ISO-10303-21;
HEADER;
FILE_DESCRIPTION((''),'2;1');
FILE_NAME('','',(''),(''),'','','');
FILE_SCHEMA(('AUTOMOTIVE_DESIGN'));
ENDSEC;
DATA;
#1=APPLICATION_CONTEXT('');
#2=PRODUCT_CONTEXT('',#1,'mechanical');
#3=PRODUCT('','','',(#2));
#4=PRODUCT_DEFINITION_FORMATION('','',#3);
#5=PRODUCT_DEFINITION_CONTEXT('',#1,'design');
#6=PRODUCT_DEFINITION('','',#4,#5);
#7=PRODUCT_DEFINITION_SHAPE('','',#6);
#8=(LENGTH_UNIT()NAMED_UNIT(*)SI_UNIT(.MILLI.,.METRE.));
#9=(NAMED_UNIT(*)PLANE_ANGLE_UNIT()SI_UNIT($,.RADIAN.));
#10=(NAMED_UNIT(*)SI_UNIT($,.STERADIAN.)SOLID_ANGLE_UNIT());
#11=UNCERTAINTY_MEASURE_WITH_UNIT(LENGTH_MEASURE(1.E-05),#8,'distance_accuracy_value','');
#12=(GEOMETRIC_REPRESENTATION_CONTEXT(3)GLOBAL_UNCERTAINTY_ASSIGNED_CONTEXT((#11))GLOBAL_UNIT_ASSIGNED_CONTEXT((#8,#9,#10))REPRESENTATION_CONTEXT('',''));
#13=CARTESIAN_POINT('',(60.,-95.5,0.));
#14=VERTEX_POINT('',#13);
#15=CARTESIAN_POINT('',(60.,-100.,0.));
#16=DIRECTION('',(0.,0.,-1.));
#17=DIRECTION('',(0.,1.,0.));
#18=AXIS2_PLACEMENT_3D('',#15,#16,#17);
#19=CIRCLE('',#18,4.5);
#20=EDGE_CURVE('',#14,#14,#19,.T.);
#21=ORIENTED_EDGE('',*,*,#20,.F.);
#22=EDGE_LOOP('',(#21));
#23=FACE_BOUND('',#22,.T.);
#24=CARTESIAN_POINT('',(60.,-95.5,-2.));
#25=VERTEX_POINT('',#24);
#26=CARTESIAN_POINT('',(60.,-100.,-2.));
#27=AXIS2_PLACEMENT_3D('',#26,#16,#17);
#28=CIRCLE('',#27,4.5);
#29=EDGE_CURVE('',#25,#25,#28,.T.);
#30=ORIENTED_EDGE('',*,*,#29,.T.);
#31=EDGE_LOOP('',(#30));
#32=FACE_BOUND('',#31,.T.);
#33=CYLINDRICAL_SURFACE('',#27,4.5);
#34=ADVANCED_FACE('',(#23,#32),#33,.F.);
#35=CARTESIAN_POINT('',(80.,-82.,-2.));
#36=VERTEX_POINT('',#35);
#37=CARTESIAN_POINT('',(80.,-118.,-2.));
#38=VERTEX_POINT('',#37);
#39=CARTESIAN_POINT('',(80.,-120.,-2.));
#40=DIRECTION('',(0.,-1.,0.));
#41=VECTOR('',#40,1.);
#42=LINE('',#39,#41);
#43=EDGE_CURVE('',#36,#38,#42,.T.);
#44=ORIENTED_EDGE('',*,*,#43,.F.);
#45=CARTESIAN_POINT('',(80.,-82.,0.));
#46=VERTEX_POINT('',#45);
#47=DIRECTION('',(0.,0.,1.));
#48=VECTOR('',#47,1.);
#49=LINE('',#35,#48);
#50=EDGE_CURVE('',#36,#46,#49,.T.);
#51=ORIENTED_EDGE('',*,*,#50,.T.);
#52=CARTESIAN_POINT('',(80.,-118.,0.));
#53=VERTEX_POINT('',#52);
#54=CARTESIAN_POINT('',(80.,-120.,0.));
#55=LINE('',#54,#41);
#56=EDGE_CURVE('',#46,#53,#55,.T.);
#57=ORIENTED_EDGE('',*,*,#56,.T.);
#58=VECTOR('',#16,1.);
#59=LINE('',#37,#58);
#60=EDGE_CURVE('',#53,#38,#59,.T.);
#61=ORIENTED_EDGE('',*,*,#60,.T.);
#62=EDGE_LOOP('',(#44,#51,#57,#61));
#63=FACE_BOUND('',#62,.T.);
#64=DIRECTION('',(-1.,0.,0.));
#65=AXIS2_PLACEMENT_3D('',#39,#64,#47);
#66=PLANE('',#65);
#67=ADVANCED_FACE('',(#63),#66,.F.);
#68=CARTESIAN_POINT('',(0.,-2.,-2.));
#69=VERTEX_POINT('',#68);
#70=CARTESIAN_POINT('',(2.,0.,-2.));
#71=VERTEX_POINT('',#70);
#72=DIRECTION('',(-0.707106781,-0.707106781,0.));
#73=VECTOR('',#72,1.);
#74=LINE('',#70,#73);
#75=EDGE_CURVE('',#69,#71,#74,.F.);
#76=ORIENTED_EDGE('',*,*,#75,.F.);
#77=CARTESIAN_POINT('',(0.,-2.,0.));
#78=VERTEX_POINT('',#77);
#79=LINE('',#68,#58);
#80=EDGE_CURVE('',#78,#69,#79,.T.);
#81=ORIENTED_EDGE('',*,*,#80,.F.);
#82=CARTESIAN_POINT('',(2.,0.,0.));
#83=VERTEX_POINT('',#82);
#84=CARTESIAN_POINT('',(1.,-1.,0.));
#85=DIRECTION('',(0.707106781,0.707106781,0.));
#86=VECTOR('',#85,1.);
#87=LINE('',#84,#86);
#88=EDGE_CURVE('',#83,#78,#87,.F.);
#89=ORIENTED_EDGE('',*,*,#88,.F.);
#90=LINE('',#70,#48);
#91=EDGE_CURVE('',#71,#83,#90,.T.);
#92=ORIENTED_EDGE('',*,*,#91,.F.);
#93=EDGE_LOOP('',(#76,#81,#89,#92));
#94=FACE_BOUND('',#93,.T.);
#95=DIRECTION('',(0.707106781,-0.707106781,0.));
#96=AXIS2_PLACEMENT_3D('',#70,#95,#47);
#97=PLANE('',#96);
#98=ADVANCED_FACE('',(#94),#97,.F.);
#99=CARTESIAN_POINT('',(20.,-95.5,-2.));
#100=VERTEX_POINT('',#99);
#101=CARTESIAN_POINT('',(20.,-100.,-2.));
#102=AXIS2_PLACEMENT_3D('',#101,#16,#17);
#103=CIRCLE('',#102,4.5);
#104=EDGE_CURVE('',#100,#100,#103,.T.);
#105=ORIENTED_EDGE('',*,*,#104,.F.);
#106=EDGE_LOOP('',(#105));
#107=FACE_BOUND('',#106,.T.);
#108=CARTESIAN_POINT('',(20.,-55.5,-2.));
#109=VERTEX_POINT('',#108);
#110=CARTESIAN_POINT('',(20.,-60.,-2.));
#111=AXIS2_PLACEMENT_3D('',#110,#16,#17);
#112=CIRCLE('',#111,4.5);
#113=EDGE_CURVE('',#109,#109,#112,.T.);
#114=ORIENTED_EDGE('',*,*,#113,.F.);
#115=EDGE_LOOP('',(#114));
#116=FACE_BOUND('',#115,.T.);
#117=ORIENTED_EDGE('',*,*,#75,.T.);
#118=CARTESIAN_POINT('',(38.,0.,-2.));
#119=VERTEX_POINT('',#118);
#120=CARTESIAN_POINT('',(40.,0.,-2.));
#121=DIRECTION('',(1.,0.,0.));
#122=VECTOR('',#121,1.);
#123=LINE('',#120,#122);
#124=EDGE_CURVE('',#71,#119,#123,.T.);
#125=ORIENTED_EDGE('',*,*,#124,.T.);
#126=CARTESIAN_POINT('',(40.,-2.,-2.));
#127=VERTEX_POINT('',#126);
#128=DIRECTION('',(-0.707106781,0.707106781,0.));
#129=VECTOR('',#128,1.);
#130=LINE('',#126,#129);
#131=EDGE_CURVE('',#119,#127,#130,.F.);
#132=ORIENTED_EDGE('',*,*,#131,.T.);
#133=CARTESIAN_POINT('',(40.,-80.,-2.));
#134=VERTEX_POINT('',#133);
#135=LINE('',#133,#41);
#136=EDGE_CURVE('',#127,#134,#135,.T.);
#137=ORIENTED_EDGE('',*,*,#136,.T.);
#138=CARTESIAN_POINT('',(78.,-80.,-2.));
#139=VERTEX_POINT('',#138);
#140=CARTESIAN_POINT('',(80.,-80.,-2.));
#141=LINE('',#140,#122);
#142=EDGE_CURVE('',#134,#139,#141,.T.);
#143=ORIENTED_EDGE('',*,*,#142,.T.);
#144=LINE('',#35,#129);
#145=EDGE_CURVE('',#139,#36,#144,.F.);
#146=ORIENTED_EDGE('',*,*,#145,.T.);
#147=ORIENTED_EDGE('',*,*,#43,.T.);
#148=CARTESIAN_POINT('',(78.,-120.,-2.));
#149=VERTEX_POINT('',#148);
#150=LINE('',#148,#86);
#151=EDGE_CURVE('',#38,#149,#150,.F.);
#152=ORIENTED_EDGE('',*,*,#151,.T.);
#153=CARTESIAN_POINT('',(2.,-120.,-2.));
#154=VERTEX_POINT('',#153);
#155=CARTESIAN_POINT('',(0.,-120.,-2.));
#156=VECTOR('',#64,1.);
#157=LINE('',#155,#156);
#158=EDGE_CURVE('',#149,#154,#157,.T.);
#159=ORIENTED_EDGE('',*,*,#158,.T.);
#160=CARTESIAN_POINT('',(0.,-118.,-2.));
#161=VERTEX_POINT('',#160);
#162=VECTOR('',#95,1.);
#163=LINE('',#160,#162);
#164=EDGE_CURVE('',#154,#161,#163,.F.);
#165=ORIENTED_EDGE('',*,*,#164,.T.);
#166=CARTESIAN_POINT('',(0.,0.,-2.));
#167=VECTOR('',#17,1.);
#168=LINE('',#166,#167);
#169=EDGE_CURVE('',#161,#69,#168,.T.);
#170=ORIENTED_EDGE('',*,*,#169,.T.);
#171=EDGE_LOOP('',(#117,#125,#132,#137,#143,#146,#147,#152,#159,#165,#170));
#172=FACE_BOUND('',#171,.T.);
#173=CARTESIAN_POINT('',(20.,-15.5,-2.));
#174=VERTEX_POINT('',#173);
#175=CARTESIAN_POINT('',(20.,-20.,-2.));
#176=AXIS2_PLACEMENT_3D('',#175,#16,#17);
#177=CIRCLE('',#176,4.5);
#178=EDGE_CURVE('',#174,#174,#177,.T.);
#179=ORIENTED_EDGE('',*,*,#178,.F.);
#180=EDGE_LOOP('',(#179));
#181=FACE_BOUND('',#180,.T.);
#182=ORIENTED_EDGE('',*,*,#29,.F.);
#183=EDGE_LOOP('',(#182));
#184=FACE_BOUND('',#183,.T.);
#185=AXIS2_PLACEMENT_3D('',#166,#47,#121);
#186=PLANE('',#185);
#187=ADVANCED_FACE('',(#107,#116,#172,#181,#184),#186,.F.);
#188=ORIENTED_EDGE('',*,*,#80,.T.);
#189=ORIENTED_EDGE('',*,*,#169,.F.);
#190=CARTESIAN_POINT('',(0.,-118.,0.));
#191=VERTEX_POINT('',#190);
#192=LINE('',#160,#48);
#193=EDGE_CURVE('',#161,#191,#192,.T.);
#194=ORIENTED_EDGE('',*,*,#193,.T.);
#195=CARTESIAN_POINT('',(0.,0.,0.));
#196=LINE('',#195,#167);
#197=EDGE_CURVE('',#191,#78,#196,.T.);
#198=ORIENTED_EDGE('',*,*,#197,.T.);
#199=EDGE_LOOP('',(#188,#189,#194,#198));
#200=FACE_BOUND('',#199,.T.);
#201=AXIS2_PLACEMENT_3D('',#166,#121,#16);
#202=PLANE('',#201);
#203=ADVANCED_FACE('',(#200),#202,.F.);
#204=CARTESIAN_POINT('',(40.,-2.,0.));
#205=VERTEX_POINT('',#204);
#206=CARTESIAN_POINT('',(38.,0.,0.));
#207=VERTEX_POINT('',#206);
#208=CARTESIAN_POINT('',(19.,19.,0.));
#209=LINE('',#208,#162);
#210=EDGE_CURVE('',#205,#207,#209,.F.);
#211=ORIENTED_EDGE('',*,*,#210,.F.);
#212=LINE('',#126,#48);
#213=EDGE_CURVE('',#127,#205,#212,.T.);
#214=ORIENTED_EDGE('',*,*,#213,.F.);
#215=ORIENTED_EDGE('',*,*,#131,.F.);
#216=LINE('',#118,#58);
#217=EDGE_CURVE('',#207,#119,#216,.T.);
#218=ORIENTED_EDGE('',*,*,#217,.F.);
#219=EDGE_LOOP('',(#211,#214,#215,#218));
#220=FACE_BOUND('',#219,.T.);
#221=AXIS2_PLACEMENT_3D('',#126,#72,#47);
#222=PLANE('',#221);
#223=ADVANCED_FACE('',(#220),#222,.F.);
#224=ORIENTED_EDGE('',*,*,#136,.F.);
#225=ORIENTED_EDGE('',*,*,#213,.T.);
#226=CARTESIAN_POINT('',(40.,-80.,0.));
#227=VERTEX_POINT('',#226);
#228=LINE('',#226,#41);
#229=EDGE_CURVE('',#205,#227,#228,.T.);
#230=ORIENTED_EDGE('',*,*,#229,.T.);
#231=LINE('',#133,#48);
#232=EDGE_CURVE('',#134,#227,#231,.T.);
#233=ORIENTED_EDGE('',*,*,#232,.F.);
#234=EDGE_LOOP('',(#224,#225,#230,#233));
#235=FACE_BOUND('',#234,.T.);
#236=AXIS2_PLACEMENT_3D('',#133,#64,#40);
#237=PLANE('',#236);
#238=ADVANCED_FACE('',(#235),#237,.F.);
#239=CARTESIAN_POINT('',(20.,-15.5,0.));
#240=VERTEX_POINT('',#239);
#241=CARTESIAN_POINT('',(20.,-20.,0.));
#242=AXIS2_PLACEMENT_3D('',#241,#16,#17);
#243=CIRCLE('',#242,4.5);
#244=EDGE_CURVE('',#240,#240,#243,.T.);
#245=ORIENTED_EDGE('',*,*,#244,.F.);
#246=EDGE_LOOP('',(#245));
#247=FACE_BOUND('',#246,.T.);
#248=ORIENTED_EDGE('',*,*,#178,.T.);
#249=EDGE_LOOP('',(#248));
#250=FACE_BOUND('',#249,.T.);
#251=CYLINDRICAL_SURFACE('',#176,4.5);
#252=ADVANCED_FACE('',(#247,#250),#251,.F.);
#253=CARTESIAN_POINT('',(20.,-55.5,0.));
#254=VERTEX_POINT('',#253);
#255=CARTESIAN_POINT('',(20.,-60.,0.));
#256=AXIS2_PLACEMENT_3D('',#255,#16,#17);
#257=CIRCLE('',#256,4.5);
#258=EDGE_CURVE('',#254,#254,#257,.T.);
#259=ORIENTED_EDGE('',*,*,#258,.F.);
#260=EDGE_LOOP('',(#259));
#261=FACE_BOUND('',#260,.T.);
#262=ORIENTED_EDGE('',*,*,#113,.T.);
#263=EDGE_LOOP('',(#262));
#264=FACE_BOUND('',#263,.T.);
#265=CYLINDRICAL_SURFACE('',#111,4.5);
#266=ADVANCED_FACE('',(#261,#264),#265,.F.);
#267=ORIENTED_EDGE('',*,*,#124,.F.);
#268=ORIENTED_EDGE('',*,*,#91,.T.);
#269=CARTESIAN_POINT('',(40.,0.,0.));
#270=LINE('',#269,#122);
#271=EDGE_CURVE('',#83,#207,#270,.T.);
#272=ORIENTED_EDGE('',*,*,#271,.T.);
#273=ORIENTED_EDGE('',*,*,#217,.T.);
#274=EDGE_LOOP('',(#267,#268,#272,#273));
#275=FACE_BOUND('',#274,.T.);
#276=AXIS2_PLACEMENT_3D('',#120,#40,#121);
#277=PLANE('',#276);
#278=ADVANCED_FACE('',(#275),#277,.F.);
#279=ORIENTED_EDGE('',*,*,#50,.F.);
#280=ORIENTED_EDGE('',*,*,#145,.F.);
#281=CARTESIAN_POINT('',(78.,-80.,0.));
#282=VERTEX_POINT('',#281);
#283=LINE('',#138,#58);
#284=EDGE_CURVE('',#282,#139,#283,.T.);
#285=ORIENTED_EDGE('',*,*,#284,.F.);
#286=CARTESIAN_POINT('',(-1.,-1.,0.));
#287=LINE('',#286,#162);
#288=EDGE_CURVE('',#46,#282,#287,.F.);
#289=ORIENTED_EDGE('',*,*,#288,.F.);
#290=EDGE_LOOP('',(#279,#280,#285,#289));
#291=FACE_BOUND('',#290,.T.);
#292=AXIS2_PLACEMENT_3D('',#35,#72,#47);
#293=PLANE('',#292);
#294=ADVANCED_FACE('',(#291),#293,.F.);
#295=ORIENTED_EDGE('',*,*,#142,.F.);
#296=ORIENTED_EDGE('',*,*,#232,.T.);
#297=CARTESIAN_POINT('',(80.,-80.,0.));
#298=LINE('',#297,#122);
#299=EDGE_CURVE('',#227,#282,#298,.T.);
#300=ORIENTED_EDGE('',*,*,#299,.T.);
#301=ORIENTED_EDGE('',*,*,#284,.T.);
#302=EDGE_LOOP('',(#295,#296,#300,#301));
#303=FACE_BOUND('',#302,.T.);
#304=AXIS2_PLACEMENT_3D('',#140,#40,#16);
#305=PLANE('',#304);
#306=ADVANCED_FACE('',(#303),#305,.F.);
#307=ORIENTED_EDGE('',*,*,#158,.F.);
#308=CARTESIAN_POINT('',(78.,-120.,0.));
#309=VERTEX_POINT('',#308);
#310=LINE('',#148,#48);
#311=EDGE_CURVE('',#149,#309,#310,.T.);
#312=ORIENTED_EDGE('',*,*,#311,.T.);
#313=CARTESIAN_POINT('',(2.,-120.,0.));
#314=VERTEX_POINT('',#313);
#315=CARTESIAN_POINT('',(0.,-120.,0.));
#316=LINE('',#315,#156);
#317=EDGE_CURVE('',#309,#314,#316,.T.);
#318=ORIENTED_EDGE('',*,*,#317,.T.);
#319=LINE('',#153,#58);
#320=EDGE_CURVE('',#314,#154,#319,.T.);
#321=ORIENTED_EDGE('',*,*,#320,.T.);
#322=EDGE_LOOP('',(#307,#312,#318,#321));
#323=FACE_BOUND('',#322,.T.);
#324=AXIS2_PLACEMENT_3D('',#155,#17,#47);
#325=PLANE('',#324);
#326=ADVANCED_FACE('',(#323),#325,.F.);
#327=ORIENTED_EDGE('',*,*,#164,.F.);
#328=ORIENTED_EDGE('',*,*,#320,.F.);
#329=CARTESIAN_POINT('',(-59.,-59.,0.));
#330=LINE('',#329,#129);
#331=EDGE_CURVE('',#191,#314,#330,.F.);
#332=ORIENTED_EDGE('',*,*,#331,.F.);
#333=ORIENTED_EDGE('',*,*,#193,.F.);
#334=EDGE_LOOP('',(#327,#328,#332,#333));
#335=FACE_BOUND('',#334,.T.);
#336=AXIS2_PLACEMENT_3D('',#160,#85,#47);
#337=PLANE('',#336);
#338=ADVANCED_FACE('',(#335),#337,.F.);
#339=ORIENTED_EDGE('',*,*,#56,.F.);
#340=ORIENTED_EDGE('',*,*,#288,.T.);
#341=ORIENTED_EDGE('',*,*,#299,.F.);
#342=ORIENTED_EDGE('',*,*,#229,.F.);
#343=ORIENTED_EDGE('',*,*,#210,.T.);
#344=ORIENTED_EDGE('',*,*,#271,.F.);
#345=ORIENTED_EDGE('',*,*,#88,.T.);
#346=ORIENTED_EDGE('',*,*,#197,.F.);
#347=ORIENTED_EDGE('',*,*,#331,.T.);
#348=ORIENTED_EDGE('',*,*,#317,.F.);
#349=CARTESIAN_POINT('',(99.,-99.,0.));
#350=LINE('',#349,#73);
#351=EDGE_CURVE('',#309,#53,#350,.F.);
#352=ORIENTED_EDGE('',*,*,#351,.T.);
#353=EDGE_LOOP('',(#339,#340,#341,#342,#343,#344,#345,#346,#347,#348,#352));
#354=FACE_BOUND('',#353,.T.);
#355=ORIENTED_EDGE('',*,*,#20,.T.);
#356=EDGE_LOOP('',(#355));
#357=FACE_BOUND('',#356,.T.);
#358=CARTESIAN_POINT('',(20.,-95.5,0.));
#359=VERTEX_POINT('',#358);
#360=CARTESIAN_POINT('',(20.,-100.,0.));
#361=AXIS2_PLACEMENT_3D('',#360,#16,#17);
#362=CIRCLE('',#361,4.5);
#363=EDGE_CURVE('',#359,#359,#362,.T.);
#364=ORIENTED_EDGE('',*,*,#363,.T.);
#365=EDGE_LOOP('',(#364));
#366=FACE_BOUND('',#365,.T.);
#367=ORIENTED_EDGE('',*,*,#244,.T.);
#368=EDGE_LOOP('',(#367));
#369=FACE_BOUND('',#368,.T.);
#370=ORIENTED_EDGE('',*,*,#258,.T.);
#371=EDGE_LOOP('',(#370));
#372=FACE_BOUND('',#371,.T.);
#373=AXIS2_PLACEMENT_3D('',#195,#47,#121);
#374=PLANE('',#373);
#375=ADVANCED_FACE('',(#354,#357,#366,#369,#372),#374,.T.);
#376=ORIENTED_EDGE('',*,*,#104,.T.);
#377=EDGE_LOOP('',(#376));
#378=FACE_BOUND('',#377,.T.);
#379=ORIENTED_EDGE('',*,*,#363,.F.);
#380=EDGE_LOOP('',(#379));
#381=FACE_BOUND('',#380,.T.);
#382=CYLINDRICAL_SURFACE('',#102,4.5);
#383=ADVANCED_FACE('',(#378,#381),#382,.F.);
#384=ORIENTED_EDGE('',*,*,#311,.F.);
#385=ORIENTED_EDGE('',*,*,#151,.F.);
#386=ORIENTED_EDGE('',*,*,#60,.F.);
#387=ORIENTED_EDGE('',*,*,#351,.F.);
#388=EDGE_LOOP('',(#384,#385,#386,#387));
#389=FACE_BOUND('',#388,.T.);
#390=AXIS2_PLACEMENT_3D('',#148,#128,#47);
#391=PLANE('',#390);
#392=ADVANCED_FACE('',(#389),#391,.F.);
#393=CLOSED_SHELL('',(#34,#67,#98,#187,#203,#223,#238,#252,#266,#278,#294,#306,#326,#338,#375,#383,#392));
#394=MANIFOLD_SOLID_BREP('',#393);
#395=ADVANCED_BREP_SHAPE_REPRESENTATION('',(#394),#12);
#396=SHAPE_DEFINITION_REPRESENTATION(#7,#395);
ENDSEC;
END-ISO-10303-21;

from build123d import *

# Parameters (mm, degrees)
EXTRUDE_1_DEPTH   = 2
HOLE_WIZARD_M81_D = 9
CHAMFER_1_SIZE    = 2


with BuildPart() as part:
    # Эскиз1 → Бобышка-Вытянуть1 (new body)
    with BuildSketch(Plane(origin=(0, 0, 0), x_dir=(1, 0, 0), z_dir=(0, 0, -1))):
        Polygon((0, 0), (0, 120), (80, 120), (80, 80), (40, 80), (40, 0), align=None)
    extrude(amount=EXTRUDE_1_DEPTH)

    # Отверстие с зазором M81 (through all)
    with Locations(Plane(origin=(0, 0, -2), x_dir=(1, 0, 0), z_dir=(0, 0, -1))):
        with Locations((60, 100), (20, 100), (20, 60), (20, 20)):
            Hole(HOLE_WIZARD_M81_D / 2)

    # Фаска1
    chamfer_1_edges = [part.edges().sort_by_distance(p)[0] for p in [
        (0, 0, -1),
        (0, -120, -1),
        (80, -120, -1),
        (80, -80, -1),
        (40, 0, -1),
    ]]
    chamfer(chamfer_1_edges, length=CHAMFER_1_SIZE)


solid = part.part
